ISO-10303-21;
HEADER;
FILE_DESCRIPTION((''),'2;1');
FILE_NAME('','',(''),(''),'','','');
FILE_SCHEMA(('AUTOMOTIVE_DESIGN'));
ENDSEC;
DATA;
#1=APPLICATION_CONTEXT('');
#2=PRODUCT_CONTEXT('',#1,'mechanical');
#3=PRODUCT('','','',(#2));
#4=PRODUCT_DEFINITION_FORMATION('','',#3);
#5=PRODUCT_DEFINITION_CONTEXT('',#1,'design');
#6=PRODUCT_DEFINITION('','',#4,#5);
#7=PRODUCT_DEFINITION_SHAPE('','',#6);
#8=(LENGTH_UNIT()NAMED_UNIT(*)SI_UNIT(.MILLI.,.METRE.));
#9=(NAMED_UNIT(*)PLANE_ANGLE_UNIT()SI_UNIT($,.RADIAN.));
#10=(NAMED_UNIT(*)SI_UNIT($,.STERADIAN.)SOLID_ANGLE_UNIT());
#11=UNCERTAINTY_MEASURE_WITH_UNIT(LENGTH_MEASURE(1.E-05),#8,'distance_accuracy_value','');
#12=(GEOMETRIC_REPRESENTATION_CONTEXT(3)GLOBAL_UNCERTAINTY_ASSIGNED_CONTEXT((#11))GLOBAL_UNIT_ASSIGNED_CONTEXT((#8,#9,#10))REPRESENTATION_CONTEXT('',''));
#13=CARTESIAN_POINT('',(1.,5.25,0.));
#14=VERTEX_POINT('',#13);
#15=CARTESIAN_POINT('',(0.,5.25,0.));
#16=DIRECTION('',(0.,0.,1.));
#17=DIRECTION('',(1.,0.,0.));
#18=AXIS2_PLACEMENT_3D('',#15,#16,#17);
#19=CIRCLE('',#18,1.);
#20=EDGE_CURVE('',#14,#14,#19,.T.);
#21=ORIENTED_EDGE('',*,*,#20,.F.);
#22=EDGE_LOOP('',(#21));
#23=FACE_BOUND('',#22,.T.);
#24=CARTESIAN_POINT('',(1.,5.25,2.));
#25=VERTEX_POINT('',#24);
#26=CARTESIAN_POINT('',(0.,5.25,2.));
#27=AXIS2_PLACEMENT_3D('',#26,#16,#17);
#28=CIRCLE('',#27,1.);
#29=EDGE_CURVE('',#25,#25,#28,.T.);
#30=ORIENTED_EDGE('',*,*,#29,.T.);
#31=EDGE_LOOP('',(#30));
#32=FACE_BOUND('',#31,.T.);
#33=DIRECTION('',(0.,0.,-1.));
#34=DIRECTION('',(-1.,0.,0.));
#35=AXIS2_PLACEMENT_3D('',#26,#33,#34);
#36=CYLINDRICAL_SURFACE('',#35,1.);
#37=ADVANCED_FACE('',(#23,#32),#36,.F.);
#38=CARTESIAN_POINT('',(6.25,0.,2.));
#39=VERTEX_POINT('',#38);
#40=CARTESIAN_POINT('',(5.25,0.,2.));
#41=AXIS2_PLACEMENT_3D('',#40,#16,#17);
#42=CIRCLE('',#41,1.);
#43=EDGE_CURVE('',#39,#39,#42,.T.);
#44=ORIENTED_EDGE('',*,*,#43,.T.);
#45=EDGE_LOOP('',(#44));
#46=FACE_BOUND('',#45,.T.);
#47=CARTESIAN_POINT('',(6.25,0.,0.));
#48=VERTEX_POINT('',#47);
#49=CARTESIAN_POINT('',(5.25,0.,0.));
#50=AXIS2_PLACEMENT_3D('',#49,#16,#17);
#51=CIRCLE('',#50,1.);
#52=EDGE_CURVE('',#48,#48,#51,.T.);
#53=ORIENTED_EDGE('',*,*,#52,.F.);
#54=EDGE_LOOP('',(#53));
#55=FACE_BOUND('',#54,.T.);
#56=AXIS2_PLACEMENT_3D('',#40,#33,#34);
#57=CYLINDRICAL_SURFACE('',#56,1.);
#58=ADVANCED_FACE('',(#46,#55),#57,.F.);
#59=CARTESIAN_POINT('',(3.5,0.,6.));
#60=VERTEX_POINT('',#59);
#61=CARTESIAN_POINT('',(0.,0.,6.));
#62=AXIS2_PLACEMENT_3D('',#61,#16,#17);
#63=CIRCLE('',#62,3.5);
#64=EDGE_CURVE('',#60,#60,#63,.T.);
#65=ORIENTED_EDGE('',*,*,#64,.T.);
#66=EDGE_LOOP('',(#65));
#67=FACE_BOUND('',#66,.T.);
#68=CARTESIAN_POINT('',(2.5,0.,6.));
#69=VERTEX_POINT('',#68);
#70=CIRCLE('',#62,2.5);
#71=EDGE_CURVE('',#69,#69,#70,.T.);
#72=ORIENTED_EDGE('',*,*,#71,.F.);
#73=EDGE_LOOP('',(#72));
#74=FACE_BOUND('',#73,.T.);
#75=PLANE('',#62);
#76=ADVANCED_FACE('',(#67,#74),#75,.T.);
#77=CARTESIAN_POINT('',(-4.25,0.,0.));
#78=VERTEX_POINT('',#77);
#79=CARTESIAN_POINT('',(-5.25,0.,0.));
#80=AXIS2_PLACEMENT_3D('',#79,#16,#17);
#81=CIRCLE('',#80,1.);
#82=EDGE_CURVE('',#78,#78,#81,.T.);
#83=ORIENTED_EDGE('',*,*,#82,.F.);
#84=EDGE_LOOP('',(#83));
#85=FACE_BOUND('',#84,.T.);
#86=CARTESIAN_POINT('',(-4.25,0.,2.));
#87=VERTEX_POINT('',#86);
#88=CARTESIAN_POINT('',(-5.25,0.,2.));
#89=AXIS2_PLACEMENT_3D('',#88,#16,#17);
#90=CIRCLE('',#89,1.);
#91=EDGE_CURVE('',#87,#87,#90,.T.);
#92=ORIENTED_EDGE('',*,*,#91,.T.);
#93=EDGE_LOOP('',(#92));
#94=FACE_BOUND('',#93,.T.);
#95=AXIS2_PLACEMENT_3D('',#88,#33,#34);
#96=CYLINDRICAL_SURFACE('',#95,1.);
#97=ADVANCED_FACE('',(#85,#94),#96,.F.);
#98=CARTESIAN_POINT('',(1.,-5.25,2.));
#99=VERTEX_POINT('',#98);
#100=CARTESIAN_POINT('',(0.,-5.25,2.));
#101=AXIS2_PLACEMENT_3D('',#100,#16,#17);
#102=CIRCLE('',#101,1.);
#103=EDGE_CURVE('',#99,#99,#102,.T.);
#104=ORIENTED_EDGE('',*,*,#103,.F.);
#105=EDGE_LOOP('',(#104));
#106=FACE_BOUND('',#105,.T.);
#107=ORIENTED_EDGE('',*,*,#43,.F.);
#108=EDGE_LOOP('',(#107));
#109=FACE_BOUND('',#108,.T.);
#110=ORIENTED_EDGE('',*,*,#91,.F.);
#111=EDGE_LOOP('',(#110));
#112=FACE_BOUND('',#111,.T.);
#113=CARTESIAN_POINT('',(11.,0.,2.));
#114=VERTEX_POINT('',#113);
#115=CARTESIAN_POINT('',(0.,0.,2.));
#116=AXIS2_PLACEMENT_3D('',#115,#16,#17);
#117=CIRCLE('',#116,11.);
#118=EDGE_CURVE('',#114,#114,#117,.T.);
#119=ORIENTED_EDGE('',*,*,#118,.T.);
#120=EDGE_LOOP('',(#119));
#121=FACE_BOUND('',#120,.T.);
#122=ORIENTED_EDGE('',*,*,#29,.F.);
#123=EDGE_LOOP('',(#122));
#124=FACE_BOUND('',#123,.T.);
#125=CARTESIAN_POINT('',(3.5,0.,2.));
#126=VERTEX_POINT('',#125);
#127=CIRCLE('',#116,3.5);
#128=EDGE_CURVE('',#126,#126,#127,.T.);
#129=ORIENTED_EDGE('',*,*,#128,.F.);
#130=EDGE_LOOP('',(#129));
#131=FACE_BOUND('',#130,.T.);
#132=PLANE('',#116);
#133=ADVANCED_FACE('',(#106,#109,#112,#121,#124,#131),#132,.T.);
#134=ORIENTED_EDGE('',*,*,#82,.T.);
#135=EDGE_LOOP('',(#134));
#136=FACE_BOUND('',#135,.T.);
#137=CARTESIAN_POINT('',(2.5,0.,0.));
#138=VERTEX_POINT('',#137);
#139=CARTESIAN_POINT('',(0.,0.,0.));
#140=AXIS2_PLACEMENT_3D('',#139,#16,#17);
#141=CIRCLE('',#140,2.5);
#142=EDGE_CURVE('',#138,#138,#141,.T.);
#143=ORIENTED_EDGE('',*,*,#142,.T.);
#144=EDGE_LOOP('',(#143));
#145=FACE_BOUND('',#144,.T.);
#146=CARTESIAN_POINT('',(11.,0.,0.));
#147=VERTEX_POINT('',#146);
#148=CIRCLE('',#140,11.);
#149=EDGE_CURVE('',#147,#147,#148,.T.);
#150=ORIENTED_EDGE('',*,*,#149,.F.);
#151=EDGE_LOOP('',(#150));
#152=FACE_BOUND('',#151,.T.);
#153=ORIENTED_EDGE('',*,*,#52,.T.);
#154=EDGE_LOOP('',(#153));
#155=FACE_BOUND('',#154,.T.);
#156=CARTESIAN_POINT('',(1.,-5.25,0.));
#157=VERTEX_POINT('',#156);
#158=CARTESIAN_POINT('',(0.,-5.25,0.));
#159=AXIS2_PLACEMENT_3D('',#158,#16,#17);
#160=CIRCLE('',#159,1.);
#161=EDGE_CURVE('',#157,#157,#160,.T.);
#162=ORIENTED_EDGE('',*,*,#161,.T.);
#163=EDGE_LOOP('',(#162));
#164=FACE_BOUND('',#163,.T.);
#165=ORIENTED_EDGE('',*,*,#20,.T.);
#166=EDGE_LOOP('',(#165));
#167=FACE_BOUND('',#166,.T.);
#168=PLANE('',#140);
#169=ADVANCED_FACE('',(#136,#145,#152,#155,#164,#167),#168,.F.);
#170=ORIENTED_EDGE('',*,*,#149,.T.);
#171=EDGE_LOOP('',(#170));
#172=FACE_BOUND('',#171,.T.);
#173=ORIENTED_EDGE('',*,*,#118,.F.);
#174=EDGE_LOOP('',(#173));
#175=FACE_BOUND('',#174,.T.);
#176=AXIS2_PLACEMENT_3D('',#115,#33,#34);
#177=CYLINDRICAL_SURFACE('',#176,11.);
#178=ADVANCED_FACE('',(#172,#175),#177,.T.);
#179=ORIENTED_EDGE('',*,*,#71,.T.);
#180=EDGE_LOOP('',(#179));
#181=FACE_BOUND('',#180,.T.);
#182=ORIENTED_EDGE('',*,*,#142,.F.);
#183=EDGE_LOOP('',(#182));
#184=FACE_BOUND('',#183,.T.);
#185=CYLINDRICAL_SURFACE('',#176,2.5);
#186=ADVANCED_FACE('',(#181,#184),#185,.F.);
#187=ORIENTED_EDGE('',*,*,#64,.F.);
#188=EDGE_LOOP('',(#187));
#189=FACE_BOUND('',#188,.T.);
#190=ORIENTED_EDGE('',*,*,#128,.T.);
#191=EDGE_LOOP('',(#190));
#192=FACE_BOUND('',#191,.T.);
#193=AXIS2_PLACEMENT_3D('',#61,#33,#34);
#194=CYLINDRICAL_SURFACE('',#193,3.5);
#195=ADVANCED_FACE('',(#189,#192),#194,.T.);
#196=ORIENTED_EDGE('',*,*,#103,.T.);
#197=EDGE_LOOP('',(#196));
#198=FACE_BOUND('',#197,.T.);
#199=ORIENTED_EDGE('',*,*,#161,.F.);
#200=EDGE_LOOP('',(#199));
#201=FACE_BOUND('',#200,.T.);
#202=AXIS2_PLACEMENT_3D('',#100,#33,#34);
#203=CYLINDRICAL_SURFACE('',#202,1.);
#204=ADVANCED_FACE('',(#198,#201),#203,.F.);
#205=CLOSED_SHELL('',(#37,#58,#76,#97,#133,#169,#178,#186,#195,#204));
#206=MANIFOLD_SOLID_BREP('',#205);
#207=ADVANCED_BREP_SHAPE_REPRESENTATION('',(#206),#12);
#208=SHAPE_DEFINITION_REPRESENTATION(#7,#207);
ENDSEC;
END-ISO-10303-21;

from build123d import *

# Parameters (mm, degrees)
SKETCH_1_R      = 11
SKETCH_1_R_2    = 2.5
SKETCH_1_R_3    = 1
EXTRUDE_1_DEPTH = 2
SKETCH_2_R      = 3.5
SKETCH_2_R_2    = 2.5
EXTRUDE_2_DEPTH = 4


with BuildPart() as part:
    # 草图1 → 凸台-拉伸1 (new body)
    with BuildSketch(Plane.XY):
        Circle(SKETCH_1_R)
        Circle(SKETCH_1_R_2, mode=Mode.SUBTRACT)
        with Locations((5.25, 0)):
            Circle(SKETCH_1_R_3, mode=Mode.SUBTRACT)
        with Locations((0, -5.25)):
            Circle(SKETCH_1_R_3, mode=Mode.SUBTRACT)
        with Locations((-5.25, 0)):
            Circle(SKETCH_1_R_3, mode=Mode.SUBTRACT)
        with Locations((0, 5.25)):
            Circle(SKETCH_1_R_3, mode=Mode.SUBTRACT)
    extrude(amount=EXTRUDE_1_DEPTH)

    # 草图2 → 凸台-拉伸2 (add)
    with BuildSketch(Plane.XY.offset(2)):
        Circle(SKETCH_2_R)
        Circle(SKETCH_2_R_2, mode=Mode.SUBTRACT)
    extrude(amount=EXTRUDE_2_DEPTH)


solid = part.part
